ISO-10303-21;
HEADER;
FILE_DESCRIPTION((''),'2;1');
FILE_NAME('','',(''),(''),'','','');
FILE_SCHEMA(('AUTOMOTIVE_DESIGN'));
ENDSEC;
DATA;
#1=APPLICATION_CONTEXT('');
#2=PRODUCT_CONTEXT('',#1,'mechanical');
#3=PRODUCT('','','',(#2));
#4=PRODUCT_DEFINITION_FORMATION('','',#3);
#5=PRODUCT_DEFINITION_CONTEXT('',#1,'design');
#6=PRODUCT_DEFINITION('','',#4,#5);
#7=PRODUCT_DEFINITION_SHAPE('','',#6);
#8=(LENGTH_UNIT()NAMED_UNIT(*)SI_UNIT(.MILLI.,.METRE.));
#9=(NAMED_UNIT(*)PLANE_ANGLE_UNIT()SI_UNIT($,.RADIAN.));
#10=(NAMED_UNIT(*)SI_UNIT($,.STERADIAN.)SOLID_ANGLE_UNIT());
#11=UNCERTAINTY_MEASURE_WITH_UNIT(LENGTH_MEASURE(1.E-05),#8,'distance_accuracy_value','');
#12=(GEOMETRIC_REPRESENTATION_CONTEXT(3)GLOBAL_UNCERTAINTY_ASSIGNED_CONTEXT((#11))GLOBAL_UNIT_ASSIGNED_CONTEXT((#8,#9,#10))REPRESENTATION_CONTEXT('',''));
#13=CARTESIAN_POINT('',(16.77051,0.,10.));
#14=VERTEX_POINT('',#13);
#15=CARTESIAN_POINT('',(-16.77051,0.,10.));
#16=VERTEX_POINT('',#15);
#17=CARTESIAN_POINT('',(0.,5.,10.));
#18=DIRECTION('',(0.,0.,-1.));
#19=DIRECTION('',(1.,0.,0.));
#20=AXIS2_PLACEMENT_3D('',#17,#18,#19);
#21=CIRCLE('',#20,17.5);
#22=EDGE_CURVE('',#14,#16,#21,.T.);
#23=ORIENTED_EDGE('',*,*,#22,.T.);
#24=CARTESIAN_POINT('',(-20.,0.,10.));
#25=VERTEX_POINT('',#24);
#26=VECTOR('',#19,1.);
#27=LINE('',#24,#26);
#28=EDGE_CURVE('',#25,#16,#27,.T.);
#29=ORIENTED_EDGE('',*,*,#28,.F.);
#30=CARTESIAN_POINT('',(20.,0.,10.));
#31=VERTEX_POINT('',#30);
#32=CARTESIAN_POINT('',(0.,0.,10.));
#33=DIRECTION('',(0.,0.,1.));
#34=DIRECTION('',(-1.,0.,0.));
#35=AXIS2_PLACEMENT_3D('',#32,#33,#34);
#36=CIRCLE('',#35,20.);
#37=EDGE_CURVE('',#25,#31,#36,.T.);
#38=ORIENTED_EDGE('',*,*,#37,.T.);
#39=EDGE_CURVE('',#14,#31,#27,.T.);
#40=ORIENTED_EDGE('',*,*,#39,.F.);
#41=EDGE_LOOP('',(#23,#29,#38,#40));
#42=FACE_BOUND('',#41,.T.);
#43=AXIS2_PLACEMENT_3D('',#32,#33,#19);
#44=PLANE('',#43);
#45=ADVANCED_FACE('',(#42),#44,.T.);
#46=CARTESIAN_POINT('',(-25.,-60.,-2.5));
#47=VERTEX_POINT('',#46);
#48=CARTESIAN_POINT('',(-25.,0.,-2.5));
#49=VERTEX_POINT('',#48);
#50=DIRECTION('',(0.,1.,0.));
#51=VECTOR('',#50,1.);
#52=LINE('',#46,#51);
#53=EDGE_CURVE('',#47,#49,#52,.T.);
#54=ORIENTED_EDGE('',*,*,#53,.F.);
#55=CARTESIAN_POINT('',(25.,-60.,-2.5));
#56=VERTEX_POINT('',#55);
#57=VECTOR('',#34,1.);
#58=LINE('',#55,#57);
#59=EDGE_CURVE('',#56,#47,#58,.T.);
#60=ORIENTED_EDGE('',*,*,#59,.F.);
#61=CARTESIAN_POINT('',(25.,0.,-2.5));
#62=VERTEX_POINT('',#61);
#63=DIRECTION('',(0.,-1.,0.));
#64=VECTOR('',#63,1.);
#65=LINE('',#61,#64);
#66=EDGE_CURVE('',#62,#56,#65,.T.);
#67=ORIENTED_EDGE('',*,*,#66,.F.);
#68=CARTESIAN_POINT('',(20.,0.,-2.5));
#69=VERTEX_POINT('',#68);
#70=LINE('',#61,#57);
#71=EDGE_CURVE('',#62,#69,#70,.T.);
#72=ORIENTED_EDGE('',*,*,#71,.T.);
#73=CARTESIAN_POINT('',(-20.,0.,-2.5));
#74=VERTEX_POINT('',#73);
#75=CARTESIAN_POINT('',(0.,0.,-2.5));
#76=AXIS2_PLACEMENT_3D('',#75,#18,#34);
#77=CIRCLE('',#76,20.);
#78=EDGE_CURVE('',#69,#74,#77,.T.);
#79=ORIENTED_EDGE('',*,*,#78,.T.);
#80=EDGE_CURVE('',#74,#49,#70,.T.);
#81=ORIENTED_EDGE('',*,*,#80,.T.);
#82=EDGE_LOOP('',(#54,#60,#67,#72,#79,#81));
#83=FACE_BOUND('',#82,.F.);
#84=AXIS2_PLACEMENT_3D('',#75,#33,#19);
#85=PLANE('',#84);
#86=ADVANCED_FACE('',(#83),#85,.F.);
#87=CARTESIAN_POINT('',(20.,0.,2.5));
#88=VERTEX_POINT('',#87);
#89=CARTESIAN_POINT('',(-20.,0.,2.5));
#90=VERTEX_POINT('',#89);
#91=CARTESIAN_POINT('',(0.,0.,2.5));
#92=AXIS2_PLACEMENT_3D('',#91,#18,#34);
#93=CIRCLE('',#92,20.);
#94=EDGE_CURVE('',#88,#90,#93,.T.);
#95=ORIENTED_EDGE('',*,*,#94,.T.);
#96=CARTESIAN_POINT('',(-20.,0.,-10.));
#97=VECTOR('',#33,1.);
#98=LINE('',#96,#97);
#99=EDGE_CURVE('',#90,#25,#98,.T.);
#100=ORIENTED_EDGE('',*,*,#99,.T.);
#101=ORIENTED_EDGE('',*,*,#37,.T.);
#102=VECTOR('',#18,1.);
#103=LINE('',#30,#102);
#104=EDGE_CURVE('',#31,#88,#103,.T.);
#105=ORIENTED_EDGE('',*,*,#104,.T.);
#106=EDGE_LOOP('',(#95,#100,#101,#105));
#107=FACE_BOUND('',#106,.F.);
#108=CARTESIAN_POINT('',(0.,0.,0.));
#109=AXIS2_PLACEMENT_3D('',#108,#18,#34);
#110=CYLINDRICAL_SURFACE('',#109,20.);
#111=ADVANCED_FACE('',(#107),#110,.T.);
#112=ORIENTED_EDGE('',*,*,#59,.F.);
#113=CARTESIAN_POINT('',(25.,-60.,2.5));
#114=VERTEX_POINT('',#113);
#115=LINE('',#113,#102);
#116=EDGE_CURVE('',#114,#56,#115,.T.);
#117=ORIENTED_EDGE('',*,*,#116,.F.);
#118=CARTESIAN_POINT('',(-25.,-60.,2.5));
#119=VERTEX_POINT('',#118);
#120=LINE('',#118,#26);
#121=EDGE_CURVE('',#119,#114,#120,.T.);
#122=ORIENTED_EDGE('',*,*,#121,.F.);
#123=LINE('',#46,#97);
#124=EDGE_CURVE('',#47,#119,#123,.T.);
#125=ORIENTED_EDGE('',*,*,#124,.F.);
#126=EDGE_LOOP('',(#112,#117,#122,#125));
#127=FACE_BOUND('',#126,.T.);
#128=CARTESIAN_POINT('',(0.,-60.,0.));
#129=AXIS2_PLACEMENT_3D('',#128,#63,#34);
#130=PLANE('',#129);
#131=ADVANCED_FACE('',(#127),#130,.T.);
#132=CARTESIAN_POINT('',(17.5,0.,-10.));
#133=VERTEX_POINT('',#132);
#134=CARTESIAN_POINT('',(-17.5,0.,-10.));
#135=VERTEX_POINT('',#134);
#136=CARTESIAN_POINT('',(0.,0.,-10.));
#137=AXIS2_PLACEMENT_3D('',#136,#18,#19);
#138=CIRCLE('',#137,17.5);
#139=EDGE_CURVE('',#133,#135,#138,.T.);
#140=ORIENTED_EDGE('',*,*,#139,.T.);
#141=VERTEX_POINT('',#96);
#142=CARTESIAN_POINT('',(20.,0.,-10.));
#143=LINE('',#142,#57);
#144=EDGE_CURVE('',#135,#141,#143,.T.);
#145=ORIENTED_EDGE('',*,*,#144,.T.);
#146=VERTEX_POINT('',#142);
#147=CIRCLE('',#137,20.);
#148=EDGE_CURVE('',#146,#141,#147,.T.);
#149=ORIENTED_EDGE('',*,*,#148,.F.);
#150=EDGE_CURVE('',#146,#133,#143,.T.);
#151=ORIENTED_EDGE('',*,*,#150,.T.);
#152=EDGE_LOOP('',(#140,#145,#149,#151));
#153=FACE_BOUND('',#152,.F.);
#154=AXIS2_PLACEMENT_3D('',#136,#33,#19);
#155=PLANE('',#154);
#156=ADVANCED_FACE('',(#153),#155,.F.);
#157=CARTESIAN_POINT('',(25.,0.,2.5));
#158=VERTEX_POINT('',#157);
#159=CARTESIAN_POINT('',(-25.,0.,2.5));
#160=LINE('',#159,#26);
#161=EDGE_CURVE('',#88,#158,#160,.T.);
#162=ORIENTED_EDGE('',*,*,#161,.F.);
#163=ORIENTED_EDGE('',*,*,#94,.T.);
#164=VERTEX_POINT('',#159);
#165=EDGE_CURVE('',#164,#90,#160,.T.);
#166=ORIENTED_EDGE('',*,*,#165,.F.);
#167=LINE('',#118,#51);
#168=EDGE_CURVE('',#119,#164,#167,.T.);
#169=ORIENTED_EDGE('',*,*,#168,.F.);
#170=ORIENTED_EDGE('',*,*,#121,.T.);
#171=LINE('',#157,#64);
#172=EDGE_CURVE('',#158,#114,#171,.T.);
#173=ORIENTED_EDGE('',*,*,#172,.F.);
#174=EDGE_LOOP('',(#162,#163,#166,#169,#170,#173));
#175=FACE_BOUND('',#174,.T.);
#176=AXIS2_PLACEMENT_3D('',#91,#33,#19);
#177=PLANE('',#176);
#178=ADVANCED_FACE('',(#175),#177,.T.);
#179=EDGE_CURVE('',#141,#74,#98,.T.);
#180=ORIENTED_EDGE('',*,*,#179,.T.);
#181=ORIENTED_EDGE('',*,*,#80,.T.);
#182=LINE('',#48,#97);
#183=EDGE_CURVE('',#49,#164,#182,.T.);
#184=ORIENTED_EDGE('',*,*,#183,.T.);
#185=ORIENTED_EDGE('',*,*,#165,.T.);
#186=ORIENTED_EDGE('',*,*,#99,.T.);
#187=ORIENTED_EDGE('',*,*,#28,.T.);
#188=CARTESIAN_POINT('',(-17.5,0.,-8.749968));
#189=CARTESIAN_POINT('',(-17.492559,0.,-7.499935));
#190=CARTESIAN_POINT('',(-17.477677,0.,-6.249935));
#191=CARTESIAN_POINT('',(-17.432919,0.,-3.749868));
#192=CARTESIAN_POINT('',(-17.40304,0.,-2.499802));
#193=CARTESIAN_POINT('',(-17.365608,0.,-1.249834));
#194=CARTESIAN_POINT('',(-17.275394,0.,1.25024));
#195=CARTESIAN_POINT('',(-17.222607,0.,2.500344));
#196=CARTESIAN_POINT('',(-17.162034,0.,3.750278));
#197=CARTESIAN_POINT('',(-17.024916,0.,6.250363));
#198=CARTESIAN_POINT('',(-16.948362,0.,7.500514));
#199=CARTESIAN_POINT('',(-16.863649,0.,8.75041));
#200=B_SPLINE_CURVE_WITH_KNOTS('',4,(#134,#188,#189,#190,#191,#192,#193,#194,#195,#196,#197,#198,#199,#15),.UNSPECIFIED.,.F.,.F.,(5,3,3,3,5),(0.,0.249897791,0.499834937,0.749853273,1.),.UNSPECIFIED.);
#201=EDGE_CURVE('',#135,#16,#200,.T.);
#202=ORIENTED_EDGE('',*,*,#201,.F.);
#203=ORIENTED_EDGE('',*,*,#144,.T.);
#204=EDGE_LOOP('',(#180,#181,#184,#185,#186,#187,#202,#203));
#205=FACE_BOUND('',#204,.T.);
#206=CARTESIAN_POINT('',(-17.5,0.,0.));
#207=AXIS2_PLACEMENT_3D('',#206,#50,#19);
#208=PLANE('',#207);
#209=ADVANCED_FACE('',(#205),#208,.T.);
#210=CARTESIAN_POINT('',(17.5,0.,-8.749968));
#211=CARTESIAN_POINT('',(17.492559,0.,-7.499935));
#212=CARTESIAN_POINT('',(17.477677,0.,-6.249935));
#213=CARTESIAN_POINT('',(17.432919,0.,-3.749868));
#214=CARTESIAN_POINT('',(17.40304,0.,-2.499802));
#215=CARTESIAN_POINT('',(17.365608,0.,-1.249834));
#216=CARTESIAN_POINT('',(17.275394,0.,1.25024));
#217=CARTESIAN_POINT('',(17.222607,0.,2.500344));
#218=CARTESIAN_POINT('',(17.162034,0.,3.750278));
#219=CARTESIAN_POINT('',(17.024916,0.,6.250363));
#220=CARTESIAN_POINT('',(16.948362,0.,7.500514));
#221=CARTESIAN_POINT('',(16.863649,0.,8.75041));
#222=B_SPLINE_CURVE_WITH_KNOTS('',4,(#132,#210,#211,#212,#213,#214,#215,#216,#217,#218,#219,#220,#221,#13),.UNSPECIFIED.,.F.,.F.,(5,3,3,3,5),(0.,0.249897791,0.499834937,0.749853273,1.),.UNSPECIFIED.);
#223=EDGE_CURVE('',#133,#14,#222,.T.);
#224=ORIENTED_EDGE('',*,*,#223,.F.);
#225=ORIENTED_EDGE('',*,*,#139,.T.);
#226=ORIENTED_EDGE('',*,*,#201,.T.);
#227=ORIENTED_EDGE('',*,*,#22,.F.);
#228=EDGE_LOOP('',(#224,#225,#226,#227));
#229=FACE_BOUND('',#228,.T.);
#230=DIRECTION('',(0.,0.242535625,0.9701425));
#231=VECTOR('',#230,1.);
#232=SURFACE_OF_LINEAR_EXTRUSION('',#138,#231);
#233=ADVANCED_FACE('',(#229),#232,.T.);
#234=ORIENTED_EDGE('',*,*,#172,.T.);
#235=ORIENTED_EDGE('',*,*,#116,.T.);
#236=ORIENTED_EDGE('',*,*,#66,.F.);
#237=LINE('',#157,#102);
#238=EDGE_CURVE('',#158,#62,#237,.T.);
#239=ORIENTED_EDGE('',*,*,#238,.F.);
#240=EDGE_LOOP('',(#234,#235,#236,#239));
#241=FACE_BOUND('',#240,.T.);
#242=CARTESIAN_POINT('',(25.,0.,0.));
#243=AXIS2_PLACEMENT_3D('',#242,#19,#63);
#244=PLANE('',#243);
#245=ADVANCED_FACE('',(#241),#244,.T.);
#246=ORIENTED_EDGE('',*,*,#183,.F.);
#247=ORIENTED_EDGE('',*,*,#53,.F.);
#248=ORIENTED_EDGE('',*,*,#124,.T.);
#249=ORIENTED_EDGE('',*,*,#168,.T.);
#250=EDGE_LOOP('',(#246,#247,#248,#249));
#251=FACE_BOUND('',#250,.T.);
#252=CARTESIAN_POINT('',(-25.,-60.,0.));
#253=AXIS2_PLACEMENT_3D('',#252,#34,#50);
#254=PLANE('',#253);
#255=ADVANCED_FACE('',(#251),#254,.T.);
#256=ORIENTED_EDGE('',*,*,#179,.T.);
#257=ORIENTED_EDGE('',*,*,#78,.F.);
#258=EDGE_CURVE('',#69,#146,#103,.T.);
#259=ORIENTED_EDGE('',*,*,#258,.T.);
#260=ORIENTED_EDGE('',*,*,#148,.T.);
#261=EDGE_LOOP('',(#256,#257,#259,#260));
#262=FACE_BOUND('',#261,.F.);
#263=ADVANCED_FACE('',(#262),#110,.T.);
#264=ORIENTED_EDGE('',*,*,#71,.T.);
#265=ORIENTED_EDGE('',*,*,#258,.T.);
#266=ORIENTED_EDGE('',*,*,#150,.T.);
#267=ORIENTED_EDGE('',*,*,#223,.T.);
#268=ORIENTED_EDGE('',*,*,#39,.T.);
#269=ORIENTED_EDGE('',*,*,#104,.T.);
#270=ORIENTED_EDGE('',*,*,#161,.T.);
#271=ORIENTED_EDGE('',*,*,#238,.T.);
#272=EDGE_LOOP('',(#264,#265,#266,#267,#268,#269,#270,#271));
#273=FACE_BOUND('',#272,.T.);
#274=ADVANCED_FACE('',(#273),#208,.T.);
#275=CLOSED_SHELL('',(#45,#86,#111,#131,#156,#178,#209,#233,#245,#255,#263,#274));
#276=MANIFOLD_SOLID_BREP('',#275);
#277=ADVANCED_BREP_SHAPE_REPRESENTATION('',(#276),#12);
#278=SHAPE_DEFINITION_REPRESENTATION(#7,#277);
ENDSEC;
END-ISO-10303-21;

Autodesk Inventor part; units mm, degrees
ref_plane "YZ Plane" through (0, 0, 0) normal (1, 0, 0) x (0, 1, 0)
ref_plane "XZ Plane" through (0, 0, 0) normal (0, 1, 0) x (-1, 0, 0)
ref_plane "XY Plane" through (0, 0, 0) normal (0, 0, 1) x (1, 0, 0)
sketch "草圖1" plane through (0, 0, 0) normal (0, 0, 1) x (1, 0, 0)
  arc A0 (-17.5, 0) -> (17.5, 0) centre (0, 0) ccw
  arc A1 (-20, 0) -> (20, 0) centre (0, 0) ccw
  line L0 (-20, 0) -> (-17.5, 0)
  line L1 (20, 0) -> (17.5, 0)
  line L2 (-35, 0) -> (35, 0) projected
  line L3 (-25, 0) -> (25, 0)
  line L4 (25, -60) -> (-25, -60)
  line L5 (-25, -60) -> (-25, 0)
  line L6 (-25, 0) -> (25, 0)
  line L7 (25, 0) -> (25, -60)
  line L8 (25, -60) -> (-25, 0) construction
  line L9 (-25, -60) -> (25, 0) construction
  line L10 (0, -72) -> (0, 12) projected
  point P0 (17.5, 0)
  point P1 (20, 0)
  point P2 (20, 0)
  point P3 (0, -30)
  dimension "d16" = 50
  dimension "d17" = 60
  dimension "d22" = 40
  dimension "d23" = 17.5
extrude "擠出1" add sketch "草圖1" along normal mid plane 20 contours L2 L10 A0 | A0 L10 A1 L0 | L10 L2 A0 | A0 L1 A1 L10
extrude "擠出2" add sketch "草圖1" along normal mid plane 5
sketch "草圖2" plane through (0, 0, 0) normal (1, 0, 0) x (0, 1, 0)
  line L0 (-10, -10) -> (-5, 10)
  line L1 (0, -2.5) -> (0, -10) projected
  line L2 (0, 10) -> (0, 2.5) projected
  line L3 (-20, -10) -> (0, -10) projected
  line L4 (0, 10) -> (-20, 10) projected
  point P0 (0, 0)
  dimension "d18" = 10
  dimension "d19" = 5
sketch "草圖3" plane through (0, 0, -10) normal (0, 0, -1) x (-1, 0, 0)
  arc A0 (-17.5, 0) -> (17.5, 0) centre (0, 0) ccw projected
  line L0 (25, 0) -> (-25, 0) projected
sweep "掃掠1" cut profiles "草圖3" path "草圖2" path curves L0
